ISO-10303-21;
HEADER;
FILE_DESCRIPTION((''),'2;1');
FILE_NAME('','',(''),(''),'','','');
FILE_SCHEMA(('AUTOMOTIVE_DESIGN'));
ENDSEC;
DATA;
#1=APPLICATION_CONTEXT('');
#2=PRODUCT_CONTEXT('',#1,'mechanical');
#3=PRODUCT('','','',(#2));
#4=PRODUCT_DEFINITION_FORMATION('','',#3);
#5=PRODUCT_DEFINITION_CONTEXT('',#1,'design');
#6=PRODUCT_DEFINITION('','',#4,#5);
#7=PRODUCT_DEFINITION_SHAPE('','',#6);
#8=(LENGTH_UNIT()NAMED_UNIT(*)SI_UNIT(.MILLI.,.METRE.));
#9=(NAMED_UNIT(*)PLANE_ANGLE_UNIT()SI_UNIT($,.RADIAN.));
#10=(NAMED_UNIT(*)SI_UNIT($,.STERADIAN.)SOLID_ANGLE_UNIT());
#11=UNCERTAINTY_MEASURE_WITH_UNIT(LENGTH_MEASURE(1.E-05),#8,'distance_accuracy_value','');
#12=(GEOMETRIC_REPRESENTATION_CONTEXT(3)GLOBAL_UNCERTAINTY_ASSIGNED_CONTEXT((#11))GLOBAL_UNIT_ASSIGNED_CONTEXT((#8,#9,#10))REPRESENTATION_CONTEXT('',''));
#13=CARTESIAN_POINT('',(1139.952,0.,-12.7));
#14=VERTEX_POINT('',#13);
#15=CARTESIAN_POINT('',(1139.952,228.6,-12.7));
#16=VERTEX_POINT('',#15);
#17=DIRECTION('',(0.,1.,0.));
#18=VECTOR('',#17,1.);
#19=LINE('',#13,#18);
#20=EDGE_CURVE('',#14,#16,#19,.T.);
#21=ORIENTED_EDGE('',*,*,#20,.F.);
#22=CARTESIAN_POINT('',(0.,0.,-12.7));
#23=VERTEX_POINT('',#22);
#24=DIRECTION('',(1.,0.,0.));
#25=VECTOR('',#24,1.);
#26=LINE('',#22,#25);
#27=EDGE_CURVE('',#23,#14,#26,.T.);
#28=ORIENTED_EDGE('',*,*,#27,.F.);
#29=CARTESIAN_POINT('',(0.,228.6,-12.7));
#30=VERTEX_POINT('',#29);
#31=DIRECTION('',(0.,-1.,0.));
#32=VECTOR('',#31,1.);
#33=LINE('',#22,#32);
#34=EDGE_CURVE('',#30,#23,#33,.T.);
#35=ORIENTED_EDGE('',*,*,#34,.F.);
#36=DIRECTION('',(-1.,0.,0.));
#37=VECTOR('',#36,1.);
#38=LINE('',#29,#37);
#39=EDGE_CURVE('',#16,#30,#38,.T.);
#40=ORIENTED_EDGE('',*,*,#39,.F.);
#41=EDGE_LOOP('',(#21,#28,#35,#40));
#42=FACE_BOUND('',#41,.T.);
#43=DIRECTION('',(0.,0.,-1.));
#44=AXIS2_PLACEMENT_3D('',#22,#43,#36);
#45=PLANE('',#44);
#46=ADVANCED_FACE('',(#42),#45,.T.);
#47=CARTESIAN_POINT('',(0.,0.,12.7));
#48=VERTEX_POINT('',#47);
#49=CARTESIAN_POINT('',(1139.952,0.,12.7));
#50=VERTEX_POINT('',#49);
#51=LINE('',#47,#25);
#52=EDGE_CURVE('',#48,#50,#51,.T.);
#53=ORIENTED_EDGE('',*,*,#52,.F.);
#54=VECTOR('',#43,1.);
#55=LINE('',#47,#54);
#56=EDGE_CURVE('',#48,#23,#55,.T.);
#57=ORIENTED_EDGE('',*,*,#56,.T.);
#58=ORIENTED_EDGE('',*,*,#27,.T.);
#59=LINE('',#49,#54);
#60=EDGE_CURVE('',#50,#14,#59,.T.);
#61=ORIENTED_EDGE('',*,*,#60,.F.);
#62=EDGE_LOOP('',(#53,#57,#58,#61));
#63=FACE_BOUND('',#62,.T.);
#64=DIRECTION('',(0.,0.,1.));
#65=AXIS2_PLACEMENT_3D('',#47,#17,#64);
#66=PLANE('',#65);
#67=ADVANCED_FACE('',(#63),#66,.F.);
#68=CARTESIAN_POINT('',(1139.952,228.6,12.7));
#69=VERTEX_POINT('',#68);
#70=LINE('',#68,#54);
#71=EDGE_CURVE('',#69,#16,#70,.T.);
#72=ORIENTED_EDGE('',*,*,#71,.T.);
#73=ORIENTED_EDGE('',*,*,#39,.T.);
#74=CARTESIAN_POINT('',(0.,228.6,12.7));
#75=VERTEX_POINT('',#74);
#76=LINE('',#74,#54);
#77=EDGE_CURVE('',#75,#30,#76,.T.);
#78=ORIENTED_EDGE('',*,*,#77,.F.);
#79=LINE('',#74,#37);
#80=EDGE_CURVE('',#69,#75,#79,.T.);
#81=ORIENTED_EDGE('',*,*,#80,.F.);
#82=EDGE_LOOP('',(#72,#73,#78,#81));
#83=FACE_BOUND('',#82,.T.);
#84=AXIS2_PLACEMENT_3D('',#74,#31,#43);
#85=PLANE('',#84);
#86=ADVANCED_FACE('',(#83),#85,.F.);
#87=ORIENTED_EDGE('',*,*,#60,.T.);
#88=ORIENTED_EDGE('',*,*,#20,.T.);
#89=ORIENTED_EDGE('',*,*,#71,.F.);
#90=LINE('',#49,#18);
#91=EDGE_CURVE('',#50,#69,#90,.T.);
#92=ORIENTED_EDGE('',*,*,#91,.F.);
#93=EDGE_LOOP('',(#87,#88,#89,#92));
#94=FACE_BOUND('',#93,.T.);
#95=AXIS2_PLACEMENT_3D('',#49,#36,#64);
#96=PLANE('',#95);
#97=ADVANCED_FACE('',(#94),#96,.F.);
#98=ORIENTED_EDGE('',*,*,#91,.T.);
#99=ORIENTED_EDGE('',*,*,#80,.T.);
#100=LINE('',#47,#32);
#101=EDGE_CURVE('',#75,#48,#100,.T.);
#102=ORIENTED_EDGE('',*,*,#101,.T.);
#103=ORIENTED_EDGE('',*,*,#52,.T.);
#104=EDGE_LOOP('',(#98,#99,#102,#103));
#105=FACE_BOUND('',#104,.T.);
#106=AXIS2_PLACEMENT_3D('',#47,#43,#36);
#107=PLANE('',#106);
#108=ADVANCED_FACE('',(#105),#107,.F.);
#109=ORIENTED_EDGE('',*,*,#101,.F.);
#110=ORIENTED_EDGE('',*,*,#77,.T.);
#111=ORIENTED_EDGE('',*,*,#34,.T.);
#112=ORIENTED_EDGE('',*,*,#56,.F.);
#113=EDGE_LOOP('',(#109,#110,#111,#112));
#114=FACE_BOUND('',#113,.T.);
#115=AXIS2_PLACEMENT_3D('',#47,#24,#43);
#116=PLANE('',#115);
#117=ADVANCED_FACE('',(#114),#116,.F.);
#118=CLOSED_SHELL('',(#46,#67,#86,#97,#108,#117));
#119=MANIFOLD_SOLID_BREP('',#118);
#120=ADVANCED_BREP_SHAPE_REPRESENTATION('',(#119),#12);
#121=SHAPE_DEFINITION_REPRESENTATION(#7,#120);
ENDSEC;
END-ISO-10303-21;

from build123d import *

# Parameters (mm, degrees)
SKETCH1_W           = 1139.952
SKETCH1_H           = 228.6
BOSS_EXTRUDE1_DEPTH = 12.7


with BuildPart() as part:
    # Sketch1 → Boss-Extrude1 (new, symmetric)
    with BuildSketch(Plane.XY):
        with Locations((569.976, 114.3)):
            Rectangle(SKETCH1_W, SKETCH1_H)
    extrude(amount=BOSS_EXTRUDE1_DEPTH, both=True)


solid = part.part
